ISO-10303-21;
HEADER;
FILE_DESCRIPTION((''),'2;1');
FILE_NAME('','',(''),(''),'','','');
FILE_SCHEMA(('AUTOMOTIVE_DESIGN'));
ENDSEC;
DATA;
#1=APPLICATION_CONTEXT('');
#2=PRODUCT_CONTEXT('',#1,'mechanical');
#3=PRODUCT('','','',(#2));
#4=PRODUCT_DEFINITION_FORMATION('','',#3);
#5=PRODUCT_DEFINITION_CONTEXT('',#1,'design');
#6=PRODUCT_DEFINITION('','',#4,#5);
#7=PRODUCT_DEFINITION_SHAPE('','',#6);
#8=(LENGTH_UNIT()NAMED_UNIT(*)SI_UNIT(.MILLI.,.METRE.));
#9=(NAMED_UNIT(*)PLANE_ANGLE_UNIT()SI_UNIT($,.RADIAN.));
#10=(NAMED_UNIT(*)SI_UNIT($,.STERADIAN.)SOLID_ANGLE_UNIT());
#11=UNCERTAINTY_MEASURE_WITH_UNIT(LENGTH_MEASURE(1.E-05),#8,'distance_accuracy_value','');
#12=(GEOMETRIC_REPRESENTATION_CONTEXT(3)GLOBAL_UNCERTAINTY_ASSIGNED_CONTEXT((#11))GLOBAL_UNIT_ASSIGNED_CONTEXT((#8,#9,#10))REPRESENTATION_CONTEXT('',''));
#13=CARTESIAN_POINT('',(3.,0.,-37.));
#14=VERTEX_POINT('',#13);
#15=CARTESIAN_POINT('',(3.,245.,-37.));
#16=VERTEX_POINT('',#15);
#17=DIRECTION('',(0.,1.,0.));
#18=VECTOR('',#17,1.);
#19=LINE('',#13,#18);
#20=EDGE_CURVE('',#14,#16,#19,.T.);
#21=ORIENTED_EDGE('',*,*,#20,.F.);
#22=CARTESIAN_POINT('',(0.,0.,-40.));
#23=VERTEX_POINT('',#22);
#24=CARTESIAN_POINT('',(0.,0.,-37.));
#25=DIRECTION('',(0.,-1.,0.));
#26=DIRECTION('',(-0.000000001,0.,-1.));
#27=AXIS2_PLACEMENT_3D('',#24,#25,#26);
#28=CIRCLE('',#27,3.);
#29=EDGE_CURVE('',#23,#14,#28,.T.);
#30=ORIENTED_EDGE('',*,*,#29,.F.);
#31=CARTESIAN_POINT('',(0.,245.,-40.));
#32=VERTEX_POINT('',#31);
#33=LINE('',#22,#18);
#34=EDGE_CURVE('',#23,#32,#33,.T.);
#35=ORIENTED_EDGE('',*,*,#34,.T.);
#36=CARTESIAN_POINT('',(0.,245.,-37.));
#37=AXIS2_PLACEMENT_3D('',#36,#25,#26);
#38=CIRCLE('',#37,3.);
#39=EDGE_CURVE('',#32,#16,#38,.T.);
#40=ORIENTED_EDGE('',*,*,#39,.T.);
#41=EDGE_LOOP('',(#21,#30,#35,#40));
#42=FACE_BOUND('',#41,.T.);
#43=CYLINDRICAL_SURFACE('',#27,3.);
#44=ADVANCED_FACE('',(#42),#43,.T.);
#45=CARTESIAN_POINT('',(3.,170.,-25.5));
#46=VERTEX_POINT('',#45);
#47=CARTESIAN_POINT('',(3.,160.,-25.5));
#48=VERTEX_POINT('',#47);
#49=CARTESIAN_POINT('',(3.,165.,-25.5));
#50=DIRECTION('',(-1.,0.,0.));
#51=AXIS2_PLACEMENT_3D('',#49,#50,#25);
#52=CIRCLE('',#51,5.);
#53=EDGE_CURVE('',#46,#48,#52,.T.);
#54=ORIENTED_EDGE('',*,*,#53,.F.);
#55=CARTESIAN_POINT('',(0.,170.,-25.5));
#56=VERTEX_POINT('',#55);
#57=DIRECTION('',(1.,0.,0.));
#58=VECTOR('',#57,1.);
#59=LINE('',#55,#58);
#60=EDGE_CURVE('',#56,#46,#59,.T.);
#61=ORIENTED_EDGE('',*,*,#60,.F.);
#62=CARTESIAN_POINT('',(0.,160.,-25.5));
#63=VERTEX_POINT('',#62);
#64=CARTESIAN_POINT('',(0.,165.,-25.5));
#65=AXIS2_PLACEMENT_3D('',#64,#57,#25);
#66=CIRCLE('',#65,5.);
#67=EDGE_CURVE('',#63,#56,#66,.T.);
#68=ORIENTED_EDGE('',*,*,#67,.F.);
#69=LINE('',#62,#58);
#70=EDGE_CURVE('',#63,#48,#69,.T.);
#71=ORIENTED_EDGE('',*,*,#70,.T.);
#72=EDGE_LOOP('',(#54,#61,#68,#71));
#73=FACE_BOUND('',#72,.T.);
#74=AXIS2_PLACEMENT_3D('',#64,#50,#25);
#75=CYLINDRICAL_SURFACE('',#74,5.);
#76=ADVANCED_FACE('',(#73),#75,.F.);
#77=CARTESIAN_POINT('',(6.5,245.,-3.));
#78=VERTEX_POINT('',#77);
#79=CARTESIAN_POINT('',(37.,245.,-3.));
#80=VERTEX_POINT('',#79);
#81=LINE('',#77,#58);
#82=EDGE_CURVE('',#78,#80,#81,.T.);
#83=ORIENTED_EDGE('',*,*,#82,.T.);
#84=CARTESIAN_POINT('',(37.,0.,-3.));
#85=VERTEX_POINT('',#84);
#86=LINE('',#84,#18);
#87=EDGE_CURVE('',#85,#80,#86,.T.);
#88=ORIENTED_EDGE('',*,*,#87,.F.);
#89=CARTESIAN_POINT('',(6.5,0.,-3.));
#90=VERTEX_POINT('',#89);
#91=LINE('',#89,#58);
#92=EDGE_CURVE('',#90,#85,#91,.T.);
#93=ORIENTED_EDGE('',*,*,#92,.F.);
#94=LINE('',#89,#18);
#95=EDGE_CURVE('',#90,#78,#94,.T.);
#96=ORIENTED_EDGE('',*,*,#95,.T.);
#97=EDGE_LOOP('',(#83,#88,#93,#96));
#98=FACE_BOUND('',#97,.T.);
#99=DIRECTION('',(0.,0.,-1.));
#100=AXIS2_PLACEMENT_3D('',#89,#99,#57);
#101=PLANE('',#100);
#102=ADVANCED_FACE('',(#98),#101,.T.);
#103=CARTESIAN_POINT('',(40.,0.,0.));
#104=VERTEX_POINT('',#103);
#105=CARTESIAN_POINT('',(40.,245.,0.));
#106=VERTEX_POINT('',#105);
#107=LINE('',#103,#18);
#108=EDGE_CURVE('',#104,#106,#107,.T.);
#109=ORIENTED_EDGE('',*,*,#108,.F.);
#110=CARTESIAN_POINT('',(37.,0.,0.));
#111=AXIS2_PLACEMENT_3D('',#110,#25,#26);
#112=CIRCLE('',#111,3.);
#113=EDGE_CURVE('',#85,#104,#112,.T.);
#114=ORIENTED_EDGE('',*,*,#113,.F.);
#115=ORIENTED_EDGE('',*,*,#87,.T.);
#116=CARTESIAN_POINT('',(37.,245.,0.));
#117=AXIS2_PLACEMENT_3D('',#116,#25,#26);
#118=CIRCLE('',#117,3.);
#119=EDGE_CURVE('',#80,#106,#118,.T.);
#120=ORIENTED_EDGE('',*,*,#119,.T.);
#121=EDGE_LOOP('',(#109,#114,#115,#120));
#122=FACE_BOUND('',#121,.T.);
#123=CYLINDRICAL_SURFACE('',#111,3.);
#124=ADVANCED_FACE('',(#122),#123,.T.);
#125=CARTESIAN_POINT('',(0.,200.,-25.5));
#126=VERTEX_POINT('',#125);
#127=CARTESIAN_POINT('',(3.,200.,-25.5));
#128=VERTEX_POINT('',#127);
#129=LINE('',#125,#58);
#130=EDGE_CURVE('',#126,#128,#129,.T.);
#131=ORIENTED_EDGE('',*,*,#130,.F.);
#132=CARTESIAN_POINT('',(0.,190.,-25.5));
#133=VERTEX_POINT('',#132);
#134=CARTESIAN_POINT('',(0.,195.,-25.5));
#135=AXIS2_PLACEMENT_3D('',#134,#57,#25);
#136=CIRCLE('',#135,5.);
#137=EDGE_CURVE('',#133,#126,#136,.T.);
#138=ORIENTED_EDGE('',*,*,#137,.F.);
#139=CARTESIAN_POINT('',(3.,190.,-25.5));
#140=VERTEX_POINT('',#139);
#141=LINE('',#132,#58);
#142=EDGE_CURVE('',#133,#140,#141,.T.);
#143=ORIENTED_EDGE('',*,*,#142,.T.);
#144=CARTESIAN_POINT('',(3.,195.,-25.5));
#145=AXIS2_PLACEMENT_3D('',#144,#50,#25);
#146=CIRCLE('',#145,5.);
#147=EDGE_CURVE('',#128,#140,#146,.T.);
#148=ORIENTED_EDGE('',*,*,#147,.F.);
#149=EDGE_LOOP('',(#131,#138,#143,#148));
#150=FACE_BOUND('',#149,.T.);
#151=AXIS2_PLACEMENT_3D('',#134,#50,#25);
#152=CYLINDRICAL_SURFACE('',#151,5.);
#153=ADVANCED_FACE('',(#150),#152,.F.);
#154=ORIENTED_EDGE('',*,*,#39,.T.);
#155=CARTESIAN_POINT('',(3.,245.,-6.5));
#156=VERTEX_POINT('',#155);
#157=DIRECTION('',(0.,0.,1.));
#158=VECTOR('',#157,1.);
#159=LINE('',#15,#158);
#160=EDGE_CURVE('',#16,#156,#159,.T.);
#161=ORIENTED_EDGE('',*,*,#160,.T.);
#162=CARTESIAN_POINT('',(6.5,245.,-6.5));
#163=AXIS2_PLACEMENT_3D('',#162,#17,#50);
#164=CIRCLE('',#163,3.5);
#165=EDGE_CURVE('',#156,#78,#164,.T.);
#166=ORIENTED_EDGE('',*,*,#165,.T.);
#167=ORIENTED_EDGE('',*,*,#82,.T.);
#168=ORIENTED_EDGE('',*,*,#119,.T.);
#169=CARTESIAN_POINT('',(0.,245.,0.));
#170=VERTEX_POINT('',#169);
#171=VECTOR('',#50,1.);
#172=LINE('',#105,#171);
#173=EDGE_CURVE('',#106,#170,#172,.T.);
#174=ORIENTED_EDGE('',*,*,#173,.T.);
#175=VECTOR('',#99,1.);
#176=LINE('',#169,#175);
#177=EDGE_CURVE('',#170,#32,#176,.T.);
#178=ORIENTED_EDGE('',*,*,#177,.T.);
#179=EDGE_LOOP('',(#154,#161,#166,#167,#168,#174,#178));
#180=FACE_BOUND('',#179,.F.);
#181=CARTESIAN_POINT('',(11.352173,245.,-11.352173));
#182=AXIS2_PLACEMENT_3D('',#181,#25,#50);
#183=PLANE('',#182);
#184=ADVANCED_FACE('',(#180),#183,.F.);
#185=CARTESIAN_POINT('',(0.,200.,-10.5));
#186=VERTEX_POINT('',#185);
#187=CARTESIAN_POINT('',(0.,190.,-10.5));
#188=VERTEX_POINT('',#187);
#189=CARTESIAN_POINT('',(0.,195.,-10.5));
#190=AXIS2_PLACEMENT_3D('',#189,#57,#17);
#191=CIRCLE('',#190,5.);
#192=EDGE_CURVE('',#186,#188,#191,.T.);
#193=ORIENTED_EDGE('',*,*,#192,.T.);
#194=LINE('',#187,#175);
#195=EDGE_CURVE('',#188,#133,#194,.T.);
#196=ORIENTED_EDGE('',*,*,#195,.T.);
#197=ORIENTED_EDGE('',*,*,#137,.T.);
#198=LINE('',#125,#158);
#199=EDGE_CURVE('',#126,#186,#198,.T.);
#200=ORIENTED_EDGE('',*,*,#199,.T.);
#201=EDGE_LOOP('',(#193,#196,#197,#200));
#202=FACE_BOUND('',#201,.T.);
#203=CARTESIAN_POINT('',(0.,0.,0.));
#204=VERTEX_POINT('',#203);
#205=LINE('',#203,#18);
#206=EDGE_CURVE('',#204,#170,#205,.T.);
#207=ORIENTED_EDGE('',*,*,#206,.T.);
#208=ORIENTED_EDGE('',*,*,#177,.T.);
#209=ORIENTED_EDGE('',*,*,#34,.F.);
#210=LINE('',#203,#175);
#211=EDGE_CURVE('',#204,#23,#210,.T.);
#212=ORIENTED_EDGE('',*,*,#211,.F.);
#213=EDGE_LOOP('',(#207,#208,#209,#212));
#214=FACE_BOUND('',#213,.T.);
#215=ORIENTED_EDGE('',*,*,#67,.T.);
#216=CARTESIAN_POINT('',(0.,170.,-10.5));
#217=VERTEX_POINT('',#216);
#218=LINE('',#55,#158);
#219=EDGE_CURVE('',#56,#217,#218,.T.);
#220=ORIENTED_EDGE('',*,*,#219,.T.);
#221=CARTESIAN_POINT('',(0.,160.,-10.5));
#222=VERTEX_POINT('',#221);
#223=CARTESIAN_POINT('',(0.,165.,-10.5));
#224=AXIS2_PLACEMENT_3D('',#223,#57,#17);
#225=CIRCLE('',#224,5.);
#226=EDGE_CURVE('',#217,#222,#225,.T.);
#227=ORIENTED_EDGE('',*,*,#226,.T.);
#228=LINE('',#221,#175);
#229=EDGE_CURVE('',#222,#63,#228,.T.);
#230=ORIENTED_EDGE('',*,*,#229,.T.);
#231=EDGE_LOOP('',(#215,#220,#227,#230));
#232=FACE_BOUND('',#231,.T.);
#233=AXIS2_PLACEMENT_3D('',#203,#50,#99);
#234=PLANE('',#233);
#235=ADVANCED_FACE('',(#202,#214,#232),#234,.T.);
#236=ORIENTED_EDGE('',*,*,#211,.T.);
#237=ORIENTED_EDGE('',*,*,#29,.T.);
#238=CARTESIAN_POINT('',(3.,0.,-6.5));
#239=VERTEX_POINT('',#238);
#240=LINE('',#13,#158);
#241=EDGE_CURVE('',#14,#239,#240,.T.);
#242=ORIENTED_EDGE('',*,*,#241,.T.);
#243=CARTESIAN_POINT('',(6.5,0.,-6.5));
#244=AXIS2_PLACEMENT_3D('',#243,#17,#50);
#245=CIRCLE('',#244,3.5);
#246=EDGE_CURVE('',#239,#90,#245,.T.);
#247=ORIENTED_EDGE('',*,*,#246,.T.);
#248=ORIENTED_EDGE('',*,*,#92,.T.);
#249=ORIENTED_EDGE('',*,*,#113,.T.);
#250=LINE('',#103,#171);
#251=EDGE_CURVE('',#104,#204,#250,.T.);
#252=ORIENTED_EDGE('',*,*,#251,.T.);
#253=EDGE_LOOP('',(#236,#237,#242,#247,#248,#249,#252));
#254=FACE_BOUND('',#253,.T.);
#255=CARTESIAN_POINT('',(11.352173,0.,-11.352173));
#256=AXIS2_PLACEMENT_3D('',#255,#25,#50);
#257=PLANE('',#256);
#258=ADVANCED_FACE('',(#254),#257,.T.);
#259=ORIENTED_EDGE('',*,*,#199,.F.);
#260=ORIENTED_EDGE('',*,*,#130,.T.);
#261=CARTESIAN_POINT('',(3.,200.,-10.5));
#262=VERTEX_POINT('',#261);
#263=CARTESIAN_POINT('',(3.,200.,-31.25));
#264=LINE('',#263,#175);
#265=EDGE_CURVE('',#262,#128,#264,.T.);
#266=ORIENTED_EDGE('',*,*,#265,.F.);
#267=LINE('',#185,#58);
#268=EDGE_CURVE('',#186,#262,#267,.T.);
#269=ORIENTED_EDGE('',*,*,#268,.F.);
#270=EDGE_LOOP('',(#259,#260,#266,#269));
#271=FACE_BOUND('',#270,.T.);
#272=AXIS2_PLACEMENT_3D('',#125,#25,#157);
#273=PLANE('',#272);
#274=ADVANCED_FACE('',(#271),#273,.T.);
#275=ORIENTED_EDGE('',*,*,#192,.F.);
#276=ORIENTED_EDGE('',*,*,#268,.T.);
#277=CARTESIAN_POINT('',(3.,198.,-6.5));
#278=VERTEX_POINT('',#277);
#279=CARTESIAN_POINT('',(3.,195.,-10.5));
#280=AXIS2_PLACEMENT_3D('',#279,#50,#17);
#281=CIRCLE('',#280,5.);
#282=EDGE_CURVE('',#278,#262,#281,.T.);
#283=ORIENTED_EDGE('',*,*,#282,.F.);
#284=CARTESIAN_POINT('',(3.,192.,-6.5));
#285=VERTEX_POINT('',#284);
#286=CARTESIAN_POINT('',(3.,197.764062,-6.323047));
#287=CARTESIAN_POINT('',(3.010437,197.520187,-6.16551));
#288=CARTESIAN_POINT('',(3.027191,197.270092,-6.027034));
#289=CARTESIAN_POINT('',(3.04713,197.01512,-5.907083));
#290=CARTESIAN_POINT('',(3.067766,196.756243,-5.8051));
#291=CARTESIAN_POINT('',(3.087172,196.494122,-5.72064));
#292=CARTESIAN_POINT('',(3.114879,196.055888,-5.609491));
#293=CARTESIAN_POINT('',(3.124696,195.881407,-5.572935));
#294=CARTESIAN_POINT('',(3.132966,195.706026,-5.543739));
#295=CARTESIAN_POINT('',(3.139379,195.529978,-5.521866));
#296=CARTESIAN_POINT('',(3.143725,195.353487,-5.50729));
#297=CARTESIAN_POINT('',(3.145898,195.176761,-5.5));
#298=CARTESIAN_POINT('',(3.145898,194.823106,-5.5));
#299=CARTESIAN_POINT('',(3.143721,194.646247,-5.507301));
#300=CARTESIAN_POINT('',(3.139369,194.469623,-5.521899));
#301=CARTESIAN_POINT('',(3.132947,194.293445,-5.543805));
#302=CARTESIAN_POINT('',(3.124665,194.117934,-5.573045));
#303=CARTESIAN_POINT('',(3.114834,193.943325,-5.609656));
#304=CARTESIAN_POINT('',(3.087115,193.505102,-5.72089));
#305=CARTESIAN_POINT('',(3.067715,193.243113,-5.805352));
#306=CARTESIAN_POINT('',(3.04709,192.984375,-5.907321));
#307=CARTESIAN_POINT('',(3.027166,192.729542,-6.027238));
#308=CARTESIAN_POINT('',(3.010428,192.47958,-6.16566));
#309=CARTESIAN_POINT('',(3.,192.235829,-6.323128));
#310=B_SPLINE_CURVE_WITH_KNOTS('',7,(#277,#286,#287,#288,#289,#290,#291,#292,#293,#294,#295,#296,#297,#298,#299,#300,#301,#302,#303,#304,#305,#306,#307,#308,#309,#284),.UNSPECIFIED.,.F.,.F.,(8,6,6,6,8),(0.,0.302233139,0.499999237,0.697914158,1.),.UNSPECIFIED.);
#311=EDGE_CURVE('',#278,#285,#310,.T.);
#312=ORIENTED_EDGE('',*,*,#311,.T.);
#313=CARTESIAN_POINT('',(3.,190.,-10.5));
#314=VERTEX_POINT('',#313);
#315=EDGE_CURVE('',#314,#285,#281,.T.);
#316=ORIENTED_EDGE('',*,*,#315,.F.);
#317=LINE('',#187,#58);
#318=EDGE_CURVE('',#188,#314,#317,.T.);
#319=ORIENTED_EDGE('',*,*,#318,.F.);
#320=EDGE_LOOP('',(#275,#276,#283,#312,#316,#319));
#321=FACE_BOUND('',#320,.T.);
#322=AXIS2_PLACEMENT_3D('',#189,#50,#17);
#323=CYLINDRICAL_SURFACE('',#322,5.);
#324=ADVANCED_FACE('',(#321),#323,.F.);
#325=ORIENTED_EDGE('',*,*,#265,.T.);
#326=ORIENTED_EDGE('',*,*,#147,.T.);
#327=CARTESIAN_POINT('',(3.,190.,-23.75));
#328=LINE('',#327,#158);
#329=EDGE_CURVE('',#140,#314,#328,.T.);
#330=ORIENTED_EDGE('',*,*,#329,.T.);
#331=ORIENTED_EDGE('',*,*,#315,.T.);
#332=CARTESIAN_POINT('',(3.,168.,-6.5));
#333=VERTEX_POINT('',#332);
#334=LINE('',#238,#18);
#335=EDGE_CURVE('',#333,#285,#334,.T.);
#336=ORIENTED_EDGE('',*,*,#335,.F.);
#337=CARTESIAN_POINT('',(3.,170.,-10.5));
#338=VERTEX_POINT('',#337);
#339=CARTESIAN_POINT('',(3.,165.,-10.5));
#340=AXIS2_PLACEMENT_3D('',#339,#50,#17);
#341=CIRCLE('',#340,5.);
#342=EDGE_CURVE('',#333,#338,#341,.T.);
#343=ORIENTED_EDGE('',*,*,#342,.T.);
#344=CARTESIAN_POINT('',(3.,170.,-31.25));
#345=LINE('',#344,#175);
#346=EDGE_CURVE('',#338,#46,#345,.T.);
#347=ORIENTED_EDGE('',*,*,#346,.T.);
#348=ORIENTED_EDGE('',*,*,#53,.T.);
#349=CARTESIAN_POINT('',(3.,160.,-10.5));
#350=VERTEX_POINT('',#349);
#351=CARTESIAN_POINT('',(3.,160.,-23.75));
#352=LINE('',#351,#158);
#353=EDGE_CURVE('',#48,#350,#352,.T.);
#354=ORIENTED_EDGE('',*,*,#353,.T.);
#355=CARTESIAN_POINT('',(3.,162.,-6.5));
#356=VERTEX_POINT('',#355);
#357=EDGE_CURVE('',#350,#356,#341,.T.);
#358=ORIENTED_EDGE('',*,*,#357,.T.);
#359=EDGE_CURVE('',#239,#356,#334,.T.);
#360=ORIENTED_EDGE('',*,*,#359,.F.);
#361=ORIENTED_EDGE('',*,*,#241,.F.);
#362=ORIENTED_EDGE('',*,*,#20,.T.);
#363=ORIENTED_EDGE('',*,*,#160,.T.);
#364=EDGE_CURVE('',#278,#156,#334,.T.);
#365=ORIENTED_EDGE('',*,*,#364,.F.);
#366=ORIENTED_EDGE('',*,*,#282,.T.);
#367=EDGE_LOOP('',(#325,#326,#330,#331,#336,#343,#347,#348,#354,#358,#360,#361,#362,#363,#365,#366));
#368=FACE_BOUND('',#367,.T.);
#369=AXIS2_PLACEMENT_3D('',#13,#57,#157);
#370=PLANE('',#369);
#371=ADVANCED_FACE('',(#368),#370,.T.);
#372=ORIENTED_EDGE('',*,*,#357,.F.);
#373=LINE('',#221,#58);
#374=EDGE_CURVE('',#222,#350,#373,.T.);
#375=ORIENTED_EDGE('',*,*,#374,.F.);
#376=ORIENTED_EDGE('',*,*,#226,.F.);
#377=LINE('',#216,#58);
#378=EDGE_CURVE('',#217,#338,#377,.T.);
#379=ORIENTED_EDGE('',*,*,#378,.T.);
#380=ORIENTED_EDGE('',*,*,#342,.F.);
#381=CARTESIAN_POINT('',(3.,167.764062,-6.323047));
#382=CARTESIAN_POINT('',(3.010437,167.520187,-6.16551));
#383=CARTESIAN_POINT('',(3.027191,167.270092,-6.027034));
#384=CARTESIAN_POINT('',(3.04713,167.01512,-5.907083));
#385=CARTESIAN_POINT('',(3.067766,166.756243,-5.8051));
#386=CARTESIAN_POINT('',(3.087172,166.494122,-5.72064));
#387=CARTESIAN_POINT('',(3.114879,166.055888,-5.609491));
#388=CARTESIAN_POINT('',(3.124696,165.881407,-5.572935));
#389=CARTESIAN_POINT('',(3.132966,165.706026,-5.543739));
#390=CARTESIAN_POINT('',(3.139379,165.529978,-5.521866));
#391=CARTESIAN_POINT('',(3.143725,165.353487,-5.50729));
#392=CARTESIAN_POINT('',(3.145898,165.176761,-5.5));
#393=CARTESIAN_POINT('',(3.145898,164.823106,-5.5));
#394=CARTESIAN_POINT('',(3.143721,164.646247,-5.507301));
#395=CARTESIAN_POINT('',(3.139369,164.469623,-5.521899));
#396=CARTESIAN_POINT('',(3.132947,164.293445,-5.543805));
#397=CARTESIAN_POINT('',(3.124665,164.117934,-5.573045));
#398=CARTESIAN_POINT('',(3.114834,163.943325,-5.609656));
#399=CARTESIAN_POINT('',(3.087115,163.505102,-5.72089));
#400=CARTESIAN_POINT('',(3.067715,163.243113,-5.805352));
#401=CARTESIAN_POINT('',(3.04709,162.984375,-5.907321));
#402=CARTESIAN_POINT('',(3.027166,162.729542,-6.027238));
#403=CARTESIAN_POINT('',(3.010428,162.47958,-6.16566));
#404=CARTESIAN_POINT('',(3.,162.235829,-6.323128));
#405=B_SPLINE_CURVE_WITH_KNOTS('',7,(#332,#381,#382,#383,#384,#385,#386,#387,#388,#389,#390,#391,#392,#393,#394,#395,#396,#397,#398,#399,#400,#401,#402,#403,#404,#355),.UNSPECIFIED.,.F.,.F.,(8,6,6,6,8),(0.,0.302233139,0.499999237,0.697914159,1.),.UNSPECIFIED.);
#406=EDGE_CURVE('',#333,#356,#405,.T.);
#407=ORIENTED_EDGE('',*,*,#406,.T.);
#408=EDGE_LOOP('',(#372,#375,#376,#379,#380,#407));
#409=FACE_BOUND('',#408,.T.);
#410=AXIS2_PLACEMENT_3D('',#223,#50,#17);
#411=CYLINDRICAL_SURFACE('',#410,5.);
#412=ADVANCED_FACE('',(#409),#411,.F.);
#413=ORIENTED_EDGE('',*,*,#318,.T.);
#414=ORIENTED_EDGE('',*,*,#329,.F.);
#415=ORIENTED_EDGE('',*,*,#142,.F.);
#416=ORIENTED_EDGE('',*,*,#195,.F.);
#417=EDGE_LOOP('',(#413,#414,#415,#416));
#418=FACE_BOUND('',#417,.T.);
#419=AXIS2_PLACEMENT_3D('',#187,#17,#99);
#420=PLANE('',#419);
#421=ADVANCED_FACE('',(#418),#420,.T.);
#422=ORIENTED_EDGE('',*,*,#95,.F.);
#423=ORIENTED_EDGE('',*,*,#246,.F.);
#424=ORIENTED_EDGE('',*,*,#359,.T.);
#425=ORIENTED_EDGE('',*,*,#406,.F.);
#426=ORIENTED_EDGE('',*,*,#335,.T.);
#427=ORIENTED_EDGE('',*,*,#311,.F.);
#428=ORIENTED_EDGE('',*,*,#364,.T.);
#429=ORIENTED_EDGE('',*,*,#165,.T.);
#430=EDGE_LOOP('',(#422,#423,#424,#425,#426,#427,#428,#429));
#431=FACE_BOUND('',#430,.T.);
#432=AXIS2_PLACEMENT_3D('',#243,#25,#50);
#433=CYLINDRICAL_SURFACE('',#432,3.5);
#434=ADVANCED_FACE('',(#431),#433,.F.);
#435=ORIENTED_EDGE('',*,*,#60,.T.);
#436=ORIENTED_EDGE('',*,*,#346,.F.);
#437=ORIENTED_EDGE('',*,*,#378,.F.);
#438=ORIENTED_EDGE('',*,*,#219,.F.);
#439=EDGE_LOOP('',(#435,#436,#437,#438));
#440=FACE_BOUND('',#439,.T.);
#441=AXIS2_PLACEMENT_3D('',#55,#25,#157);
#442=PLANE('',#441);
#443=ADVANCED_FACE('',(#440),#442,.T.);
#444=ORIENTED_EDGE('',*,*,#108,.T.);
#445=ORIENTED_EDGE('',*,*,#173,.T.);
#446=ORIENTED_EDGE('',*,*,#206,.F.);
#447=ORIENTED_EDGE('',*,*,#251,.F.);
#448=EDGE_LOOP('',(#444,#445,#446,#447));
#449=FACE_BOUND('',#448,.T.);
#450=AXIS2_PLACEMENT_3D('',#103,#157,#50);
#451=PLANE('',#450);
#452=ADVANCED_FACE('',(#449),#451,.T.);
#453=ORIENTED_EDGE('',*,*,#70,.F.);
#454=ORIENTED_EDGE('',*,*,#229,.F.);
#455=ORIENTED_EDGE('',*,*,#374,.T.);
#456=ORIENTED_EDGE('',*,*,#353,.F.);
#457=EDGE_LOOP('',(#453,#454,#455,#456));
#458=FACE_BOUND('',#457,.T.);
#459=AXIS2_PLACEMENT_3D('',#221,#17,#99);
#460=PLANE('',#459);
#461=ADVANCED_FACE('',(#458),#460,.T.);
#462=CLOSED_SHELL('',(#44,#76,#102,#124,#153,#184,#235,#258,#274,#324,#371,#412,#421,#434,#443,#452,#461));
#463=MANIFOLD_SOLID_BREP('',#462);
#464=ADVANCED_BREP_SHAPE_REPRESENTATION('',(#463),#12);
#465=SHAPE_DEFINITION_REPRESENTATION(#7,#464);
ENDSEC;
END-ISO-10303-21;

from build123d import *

# Parameters (mm, degrees)
IRON_V40X40X3_1_DEPTH = 245
CUT_EXTRUDE1_DEPTH    = 10


with BuildPart() as part:
    # Sketch1 → Iron V40X40X3(1) (new body)
    with BuildSketch(Plane(origin=(0, 0, 0), x_dir=(1, 0, 0), z_dir=(0, 1, 0))):
        with BuildLine():
            Line((0, 0), (0, 40))
            ThreePointArc((0, 40), (2.121320344, 39.121320344), (3, 37))
            Line((3, 37), (3, 6.5))
            ThreePointArc((3, 6.5), (4.025126266, 4.025126266), (6.5, 3))
            Line((6.5, 3), (37, 3))
            ThreePointArc((37, 3), (39.121320344, 2.121320344), (40, 0))
            Line((40, 0), (0, 0))
        make_face()
    extrude(amount=IRON_V40X40X3_1_DEPTH)

    # Sketch2 → Cut-Extrude1 (cut)
    with BuildSketch(Plane.ZY):
        with BuildLine():
            Line((-25.5, 170), (-10.5, 170))
            ThreePointArc((-10.5, 170), (-5.5, 165), (-10.5, 160))
            Line((-10.5, 160), (-25.5, 160))
            ThreePointArc((-25.5, 160), (-30.5, 165), (-25.5, 170))
        make_face()
        with BuildLine():
            Line((-25.5, 200), (-10.5, 200))
            ThreePointArc((-10.5, 200), (-5.5, 195), (-10.5, 190))
            Line((-10.5, 190), (-25.5, 190))
            ThreePointArc((-25.5, 190), (-30.5, 195), (-25.5, 200))
        make_face()
    extrude(amount=-CUT_EXTRUDE1_DEPTH, mode=Mode.SUBTRACT)


solid = part.part
